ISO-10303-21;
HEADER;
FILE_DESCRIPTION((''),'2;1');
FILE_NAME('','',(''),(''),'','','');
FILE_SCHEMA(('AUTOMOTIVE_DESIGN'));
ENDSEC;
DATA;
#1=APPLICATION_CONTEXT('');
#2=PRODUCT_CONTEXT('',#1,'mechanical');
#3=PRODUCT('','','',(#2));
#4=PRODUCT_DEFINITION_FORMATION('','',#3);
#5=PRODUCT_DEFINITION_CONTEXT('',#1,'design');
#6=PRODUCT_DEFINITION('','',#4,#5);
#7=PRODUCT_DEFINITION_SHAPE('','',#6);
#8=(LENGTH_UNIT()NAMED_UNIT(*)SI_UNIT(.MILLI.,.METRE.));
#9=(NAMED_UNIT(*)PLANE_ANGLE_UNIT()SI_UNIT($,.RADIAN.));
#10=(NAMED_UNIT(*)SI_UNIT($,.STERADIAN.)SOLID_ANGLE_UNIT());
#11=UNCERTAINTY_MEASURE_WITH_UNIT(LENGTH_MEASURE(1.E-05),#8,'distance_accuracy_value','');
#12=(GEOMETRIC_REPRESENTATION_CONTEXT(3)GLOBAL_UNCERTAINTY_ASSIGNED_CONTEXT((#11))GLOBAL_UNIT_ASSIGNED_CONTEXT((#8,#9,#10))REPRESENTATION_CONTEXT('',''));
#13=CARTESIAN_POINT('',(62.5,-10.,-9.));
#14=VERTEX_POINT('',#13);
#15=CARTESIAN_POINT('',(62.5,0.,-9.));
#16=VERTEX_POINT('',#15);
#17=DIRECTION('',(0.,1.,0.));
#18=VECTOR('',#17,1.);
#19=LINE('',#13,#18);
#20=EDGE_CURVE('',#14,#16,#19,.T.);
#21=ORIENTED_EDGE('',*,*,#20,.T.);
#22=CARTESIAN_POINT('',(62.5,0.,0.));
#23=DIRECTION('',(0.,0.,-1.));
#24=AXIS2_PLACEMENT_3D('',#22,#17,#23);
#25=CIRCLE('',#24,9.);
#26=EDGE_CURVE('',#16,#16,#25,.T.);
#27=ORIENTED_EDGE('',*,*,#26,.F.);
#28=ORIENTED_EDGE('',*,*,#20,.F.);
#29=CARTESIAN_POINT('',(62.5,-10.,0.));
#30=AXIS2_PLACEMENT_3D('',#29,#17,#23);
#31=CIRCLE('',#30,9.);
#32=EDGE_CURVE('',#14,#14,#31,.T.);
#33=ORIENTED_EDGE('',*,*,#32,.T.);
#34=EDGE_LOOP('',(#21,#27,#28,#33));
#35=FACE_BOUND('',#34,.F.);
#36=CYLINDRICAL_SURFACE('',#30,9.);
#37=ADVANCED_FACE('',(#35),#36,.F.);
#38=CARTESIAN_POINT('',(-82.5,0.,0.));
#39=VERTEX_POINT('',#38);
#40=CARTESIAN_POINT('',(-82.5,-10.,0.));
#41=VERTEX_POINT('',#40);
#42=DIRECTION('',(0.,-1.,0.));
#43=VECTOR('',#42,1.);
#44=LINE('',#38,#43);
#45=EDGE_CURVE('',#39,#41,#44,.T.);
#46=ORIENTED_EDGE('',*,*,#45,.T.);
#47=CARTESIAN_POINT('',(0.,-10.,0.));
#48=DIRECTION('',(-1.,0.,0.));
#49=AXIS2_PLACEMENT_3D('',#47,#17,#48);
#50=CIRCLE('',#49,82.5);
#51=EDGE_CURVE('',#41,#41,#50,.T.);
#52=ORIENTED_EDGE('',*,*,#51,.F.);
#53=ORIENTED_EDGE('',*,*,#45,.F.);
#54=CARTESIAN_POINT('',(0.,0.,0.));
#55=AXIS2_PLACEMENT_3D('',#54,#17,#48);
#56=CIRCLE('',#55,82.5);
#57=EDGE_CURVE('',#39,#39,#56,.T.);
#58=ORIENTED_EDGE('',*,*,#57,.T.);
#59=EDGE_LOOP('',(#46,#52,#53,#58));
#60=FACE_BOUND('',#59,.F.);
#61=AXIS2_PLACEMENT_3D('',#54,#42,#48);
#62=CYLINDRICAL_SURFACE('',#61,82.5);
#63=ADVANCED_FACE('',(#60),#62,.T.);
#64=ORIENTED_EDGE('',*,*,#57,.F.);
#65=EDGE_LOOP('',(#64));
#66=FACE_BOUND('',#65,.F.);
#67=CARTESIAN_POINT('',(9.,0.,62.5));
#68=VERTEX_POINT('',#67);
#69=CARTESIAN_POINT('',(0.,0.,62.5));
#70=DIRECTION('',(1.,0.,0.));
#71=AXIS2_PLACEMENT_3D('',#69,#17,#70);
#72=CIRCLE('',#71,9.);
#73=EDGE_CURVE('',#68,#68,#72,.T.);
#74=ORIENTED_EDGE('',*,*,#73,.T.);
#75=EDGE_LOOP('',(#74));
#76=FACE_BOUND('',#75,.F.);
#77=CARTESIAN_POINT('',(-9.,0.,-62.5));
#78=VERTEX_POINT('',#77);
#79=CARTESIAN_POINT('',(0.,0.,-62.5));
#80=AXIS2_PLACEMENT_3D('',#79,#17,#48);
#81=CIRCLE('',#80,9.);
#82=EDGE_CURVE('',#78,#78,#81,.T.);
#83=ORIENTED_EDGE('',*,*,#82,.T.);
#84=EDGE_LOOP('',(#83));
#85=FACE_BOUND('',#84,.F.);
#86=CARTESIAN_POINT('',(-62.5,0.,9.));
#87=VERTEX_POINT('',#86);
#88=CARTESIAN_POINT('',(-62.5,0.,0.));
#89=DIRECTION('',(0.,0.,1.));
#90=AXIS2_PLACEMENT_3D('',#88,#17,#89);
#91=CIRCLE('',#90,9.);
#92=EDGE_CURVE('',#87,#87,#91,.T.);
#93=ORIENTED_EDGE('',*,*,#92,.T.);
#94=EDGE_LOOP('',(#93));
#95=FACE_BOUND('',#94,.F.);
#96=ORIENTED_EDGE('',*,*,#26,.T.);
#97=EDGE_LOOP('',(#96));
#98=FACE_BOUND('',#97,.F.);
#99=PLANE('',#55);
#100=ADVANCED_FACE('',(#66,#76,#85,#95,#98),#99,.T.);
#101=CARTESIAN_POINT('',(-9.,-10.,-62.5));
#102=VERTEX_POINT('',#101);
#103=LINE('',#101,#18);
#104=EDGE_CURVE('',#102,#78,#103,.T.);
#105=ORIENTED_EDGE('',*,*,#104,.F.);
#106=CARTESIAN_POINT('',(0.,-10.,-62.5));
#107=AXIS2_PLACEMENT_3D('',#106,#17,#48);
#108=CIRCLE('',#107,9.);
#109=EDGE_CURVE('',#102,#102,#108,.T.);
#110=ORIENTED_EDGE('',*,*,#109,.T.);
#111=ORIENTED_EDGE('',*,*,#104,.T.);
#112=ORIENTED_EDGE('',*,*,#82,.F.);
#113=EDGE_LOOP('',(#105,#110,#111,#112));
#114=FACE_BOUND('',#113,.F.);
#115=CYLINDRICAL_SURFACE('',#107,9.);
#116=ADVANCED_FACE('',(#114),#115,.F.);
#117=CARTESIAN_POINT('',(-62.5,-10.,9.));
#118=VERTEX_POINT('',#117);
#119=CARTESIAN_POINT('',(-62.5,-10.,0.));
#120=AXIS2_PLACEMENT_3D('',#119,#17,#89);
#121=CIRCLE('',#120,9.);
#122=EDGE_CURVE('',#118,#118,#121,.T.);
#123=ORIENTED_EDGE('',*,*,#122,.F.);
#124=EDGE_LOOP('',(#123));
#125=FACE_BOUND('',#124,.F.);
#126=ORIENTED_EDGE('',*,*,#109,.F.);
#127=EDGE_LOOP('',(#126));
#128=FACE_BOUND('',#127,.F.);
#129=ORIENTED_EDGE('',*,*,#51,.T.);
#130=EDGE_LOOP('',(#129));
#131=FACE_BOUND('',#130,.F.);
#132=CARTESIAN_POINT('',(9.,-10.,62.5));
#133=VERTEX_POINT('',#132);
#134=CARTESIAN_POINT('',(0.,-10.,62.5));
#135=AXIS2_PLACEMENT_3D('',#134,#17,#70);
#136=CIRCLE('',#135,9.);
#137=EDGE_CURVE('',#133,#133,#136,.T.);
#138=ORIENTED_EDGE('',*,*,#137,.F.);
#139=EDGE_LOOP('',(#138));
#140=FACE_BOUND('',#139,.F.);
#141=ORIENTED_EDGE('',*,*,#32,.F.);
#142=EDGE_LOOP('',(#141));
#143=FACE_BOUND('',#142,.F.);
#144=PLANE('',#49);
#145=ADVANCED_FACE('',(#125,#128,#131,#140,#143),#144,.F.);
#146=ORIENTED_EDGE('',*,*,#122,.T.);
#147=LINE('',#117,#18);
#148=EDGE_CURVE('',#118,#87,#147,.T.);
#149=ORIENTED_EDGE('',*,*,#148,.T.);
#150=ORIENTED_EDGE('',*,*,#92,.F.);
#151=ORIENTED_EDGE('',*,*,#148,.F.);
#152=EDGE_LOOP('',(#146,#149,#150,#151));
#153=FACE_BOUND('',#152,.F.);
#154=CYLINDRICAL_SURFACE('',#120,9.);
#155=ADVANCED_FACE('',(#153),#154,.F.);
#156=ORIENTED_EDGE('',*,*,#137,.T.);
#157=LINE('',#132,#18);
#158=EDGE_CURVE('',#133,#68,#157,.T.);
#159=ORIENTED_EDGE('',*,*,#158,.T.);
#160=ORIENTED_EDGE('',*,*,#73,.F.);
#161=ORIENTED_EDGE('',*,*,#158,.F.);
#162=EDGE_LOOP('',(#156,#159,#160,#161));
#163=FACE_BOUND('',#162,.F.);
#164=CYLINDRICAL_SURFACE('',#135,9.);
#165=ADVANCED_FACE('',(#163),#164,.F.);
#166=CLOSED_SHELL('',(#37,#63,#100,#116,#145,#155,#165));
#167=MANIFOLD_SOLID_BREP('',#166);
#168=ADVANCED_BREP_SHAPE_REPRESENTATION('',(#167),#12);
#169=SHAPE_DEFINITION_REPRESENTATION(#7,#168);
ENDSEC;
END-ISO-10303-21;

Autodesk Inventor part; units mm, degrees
ref_plane "YZ Plane" through (0, 0, 0) normal (1, 0, 0) x (0, 1, 0)
ref_plane "XZ Plane" through (0, 0, 0) normal (0, 1, 0) x (-1, 0, 0)
ref_plane "XY Plane" through (0, 0, 0) normal (0, 0, 1) x (1, 0, 0)
sketch "Sketch1" plane through (0, 0, 0) normal (0, 0, 1) x (1, 0, 0)
  line L0 (-82.5, 3) -> (-82.5, 18) construction
  line L1 (82.5, 3) -> (-82.5, 3) construction
  line L2 (-51, 0) -> (-51, 3) construction
  line L3 (-82.5, 0) -> (-82.5, -10)
  line L4 (-82.5, -10) -> (0, -10)
  line L5 (0, -10) -> (0, 0)
  line L6 (0, 0) -> (-82.5, 0)
  dimension "d0" = 10
revolve "Revolution1" add sketch "Sketch1" angle 360 about axis through (0, -10, 0) along (0, 1, 0)
sketch "Sketch2" plane through (0, -10, 0) normal (0, -1, 0) x (1, 0, 0)
  circle A0 centre (0, 0) radius 49.3853 construction
  circle A1 centre (-62.5, 0) radius 9.2 projected
  circle A2 centre (0, 62.5) radius 9.2 projected
  circle A3 centre (0, 0) radius 82.3 projected
  circle A4 centre (62.5, 0) radius 9.2 projected
  circle A5 centre (0, -62.5) radius 9.2 projected
  point P0 (0, 0)
  point P1 (62.5, 0)
hole "Hole1" at (62.5, -10, 0) direction (0, 1, 0) diameter 18 end through all
pattern_circular "Circular Pattern1" count 4 over 360 about axis through (0, -10, 0) along (0, 1, 0) of "Hole1"
properties part number "vakkarima2" material "Steel, Alloy"
